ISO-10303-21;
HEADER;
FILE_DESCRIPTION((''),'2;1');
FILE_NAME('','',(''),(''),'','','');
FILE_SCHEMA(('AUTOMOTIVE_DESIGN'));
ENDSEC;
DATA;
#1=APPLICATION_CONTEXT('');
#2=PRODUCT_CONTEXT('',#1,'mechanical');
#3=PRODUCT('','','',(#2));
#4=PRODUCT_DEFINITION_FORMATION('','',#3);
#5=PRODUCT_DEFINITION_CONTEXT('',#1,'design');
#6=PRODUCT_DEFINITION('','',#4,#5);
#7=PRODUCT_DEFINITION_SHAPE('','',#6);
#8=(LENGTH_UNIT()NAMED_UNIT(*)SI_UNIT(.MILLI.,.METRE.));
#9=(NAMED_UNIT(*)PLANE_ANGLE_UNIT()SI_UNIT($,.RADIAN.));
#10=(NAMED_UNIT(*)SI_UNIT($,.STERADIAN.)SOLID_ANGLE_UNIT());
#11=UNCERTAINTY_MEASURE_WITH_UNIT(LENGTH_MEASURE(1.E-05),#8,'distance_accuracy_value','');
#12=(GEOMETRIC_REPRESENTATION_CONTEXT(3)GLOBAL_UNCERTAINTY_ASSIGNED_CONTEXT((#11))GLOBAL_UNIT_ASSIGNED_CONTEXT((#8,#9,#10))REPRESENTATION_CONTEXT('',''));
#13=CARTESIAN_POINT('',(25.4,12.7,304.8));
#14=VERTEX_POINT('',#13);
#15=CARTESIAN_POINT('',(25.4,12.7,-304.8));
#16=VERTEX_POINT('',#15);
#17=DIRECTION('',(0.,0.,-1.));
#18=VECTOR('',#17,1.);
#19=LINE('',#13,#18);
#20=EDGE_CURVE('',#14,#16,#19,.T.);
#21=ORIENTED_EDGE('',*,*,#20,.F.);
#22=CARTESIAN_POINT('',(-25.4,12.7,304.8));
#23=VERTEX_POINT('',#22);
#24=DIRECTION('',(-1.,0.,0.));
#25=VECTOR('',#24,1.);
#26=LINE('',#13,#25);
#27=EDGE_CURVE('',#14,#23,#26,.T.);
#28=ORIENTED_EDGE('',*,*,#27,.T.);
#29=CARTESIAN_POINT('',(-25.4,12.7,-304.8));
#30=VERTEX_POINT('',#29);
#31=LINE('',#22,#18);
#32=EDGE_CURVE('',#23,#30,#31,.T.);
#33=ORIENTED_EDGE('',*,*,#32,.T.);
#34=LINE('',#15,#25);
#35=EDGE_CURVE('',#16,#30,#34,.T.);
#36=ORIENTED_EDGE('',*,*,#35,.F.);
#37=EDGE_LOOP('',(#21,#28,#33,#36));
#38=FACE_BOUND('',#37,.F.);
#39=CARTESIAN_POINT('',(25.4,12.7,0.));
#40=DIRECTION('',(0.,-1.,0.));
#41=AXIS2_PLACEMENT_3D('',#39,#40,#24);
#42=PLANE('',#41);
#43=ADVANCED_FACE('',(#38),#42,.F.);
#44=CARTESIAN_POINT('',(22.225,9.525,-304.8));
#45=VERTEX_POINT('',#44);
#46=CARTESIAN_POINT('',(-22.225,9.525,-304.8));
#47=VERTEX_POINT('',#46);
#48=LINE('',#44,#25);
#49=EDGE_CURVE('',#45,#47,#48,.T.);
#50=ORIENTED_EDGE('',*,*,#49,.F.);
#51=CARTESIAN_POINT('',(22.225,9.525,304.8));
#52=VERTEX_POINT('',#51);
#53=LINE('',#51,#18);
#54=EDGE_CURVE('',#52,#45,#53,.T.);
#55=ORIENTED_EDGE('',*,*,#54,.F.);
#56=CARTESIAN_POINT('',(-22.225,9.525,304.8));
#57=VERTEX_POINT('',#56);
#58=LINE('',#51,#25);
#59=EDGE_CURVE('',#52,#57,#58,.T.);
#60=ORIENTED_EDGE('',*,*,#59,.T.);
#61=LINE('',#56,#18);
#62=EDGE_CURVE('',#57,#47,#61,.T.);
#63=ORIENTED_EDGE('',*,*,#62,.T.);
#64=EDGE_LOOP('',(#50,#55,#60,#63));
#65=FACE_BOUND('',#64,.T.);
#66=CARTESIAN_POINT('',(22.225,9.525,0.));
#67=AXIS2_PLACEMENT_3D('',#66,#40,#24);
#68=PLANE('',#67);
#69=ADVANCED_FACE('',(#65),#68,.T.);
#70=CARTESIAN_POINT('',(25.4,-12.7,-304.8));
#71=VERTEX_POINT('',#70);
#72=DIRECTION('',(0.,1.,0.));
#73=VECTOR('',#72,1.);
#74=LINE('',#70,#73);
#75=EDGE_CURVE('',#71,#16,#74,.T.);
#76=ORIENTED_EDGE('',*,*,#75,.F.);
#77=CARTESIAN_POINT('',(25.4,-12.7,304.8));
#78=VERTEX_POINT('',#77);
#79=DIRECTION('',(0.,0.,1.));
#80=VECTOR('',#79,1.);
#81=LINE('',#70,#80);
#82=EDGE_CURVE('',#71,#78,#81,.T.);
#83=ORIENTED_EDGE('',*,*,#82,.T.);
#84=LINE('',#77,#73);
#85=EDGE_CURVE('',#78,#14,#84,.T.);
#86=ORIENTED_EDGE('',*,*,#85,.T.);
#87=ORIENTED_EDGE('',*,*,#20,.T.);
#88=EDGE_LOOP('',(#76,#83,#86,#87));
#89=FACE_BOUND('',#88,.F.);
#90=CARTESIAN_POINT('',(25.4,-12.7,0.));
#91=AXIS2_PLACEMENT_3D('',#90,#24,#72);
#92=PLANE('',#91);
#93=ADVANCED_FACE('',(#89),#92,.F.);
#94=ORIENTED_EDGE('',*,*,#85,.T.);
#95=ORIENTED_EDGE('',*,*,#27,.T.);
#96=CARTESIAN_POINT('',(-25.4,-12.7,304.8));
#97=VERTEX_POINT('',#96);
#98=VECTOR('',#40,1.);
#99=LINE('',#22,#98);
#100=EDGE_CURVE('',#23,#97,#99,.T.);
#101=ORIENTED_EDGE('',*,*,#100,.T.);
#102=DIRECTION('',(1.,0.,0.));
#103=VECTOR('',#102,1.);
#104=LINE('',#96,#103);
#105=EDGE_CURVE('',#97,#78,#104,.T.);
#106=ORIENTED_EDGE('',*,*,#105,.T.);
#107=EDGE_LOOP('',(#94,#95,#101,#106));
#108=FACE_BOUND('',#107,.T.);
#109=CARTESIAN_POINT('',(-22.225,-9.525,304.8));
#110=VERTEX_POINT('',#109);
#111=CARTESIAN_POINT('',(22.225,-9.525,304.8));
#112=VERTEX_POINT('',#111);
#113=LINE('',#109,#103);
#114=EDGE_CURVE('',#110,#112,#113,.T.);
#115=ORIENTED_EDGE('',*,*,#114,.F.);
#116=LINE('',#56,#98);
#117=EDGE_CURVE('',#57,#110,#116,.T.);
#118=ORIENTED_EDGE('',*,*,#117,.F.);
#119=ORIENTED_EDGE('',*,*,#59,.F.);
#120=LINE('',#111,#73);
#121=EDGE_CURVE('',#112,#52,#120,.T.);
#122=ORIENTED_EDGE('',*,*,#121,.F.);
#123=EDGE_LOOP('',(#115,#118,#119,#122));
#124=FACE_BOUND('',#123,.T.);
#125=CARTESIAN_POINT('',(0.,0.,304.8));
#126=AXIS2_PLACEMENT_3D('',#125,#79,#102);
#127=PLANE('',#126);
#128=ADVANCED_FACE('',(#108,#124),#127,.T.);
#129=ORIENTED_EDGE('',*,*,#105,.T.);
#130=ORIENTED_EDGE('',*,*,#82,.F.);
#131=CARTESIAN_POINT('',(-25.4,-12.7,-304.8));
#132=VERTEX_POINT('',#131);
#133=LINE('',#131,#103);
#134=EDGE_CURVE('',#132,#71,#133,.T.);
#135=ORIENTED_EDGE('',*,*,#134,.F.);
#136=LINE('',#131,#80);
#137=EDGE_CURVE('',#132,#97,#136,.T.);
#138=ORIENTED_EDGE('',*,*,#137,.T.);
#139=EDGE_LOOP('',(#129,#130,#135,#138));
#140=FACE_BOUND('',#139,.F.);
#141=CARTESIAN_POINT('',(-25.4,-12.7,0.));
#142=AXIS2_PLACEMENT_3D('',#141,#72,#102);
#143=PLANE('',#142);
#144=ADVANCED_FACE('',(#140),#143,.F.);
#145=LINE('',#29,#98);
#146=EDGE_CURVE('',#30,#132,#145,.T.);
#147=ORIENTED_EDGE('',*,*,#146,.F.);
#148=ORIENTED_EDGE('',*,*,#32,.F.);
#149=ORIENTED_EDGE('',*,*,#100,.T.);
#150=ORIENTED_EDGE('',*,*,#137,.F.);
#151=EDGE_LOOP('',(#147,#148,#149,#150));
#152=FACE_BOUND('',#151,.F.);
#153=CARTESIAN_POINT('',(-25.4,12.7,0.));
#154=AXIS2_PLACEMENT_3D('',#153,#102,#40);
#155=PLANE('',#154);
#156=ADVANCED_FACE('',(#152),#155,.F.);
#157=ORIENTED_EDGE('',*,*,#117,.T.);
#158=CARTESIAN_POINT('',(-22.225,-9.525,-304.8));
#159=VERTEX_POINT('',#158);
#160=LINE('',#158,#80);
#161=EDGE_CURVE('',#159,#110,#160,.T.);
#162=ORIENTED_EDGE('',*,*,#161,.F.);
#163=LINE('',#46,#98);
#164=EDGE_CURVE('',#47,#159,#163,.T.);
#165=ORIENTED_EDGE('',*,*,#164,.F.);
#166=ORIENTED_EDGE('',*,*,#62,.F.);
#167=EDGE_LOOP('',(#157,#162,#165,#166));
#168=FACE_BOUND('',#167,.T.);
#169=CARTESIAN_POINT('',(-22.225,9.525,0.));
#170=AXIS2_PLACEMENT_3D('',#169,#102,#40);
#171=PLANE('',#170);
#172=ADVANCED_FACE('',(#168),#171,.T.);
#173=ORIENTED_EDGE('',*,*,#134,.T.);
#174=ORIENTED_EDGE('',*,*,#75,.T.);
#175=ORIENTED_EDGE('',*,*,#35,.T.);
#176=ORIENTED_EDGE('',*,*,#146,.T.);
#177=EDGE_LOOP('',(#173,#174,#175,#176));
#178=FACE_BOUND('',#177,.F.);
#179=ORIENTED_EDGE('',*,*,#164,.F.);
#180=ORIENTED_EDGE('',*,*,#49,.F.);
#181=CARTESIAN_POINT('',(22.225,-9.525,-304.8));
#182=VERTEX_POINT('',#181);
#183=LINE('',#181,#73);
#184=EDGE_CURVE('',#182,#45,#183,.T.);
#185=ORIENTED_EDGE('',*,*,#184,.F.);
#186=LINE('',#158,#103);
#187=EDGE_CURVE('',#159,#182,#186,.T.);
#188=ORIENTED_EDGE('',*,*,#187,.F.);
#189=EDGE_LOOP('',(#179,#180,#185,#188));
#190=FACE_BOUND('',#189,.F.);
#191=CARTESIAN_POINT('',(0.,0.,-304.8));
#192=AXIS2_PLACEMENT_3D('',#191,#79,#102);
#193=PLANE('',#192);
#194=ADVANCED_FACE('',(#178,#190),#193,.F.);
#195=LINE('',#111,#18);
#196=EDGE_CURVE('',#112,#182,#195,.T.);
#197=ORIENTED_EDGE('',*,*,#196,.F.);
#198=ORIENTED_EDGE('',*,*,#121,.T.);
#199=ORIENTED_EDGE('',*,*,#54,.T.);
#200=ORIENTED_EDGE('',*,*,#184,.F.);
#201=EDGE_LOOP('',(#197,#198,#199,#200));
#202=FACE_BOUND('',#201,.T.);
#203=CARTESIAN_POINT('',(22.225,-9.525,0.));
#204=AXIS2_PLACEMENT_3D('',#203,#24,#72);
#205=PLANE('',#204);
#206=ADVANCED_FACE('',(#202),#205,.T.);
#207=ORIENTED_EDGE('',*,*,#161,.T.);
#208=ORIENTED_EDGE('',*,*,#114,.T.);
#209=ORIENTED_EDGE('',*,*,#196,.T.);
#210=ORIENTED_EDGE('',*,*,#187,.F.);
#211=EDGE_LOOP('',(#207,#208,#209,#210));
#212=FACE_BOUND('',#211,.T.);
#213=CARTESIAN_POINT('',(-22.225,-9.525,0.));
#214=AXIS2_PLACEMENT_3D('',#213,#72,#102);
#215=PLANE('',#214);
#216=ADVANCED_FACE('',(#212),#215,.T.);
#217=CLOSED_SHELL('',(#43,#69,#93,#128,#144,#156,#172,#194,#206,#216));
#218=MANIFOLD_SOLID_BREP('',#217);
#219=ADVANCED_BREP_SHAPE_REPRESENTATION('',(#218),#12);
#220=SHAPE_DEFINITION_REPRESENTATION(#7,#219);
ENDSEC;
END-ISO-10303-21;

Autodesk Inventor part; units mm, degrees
ref_plane "YZ Plane" through (0, 0, 0) normal (1, 0, 0) x (0, 1, 0)
ref_plane "XZ Plane" through (0, 0, 0) normal (0, 1, 0) x (-1, 0, 0)
ref_plane "XY Plane" through (0, 0, 0) normal (0, 0, 1) x (1, 0, 0)
sketch "Sketch3" plane through (0, 0, 0) normal (0, 0, 1) x (1, 0, 0)
  line L0 (-25.4, -12.7) -> (25.4, -12.7)
  line L1 (25.4, -12.7) -> (25.4, 12.7)
  line L2 (25.4, 12.7) -> (-25.4, 12.7)
  line L3 (-25.4, 12.7) -> (-25.4, -12.7)
  line L4 (-25.4, -12.7) -> (25.4, 12.7) construction
  line L5 (25.4, -12.7) -> (-25.4, 12.7) construction
  line L6 (-22.225, -9.525) -> (22.225, -9.525)
  line L7 (22.225, -9.525) -> (22.225, 9.525)
  line L8 (22.225, 9.525) -> (-22.225, 9.525)
  line L9 (-22.225, 9.525) -> (-22.225, -9.525)
  line L10 (-22.225, -9.525) -> (22.225, 9.525) construction
  line L11 (22.225, -9.525) -> (-22.225, 9.525) construction
  point P0 (0, 0)
  dimension "d8" = 50.8
  dimension "d9" = 25.4
  dimension "d10" = 3.175
  dimension "d11" = 3.175
extrude "Extrusion3" add sketch "Sketch3" along normal mid plane 609.6
sketch "Sketch1" plane through (0, 0, 0) normal (0, 0, 1) x (1, 0, 0)
  line L0 (-25.4, -304.8) -> (25.4, -304.8)
  line L1 (25.4, -304.8) -> (25.4, 304.8)
  line L2 (25.4, 304.8) -> (-25.4, 304.8)
  line L3 (-25.4, 304.8) -> (-25.4, -304.8)
  line L4 (-25.4, -304.8) -> (25.4, 304.8) construction
  line L5 (25.4, -304.8) -> (-25.4, 304.8) construction
  point P0 (0, 0)
  dimension "d0" = 50.8
  dimension "d1" = 609.6
sketch "Sketch2" plane through (0, 0, 0) normal (0, 1, 0) x (-1, 0, 0)
  line L0 (-22.225, 9.525) -> (-22.225, -9.525)
  line L1 (-22.225, -9.525) -> (22.225, -9.525)
  line L2 (22.225, -9.525) -> (22.225, 9.525)
  line L3 (22.225, 9.525) -> (-22.225, 9.525)
  line L4 (-22.225, 9.525) -> (22.225, -9.525) construction
  line L5 (-22.225, -9.525) -> (22.225, 9.525) construction
  line L6 (25.4, -12.7) -> (25.4, 12.7) projected
  line L7 (25.4, 12.7) -> (-25.4, 12.7) projected
  point P0 (0, 0)
  dimension "d4" = 3.175
  dimension "d5" = 3.175
equation "\"d8\" = width"
equation "\"d9\" = depth"
equation "\"d10\" = wallThickness"
equation "\"d11\" = wallThickness"
equation "\"d12\" = height"
equation "\"d0\" = width"
equation "\"d1\" = height"
equation "\"d4\" = wallThickness"
equation "\"d5\" = wallThickness"
equation "\"depth\" = 25.4"
equation "\"width\" = 50.8"
equation "\"height\" = 609.6"
equation "\"wallThickness\" = 3.175"
properties part number "baseExtrusion" material "Aluminum 6061"
